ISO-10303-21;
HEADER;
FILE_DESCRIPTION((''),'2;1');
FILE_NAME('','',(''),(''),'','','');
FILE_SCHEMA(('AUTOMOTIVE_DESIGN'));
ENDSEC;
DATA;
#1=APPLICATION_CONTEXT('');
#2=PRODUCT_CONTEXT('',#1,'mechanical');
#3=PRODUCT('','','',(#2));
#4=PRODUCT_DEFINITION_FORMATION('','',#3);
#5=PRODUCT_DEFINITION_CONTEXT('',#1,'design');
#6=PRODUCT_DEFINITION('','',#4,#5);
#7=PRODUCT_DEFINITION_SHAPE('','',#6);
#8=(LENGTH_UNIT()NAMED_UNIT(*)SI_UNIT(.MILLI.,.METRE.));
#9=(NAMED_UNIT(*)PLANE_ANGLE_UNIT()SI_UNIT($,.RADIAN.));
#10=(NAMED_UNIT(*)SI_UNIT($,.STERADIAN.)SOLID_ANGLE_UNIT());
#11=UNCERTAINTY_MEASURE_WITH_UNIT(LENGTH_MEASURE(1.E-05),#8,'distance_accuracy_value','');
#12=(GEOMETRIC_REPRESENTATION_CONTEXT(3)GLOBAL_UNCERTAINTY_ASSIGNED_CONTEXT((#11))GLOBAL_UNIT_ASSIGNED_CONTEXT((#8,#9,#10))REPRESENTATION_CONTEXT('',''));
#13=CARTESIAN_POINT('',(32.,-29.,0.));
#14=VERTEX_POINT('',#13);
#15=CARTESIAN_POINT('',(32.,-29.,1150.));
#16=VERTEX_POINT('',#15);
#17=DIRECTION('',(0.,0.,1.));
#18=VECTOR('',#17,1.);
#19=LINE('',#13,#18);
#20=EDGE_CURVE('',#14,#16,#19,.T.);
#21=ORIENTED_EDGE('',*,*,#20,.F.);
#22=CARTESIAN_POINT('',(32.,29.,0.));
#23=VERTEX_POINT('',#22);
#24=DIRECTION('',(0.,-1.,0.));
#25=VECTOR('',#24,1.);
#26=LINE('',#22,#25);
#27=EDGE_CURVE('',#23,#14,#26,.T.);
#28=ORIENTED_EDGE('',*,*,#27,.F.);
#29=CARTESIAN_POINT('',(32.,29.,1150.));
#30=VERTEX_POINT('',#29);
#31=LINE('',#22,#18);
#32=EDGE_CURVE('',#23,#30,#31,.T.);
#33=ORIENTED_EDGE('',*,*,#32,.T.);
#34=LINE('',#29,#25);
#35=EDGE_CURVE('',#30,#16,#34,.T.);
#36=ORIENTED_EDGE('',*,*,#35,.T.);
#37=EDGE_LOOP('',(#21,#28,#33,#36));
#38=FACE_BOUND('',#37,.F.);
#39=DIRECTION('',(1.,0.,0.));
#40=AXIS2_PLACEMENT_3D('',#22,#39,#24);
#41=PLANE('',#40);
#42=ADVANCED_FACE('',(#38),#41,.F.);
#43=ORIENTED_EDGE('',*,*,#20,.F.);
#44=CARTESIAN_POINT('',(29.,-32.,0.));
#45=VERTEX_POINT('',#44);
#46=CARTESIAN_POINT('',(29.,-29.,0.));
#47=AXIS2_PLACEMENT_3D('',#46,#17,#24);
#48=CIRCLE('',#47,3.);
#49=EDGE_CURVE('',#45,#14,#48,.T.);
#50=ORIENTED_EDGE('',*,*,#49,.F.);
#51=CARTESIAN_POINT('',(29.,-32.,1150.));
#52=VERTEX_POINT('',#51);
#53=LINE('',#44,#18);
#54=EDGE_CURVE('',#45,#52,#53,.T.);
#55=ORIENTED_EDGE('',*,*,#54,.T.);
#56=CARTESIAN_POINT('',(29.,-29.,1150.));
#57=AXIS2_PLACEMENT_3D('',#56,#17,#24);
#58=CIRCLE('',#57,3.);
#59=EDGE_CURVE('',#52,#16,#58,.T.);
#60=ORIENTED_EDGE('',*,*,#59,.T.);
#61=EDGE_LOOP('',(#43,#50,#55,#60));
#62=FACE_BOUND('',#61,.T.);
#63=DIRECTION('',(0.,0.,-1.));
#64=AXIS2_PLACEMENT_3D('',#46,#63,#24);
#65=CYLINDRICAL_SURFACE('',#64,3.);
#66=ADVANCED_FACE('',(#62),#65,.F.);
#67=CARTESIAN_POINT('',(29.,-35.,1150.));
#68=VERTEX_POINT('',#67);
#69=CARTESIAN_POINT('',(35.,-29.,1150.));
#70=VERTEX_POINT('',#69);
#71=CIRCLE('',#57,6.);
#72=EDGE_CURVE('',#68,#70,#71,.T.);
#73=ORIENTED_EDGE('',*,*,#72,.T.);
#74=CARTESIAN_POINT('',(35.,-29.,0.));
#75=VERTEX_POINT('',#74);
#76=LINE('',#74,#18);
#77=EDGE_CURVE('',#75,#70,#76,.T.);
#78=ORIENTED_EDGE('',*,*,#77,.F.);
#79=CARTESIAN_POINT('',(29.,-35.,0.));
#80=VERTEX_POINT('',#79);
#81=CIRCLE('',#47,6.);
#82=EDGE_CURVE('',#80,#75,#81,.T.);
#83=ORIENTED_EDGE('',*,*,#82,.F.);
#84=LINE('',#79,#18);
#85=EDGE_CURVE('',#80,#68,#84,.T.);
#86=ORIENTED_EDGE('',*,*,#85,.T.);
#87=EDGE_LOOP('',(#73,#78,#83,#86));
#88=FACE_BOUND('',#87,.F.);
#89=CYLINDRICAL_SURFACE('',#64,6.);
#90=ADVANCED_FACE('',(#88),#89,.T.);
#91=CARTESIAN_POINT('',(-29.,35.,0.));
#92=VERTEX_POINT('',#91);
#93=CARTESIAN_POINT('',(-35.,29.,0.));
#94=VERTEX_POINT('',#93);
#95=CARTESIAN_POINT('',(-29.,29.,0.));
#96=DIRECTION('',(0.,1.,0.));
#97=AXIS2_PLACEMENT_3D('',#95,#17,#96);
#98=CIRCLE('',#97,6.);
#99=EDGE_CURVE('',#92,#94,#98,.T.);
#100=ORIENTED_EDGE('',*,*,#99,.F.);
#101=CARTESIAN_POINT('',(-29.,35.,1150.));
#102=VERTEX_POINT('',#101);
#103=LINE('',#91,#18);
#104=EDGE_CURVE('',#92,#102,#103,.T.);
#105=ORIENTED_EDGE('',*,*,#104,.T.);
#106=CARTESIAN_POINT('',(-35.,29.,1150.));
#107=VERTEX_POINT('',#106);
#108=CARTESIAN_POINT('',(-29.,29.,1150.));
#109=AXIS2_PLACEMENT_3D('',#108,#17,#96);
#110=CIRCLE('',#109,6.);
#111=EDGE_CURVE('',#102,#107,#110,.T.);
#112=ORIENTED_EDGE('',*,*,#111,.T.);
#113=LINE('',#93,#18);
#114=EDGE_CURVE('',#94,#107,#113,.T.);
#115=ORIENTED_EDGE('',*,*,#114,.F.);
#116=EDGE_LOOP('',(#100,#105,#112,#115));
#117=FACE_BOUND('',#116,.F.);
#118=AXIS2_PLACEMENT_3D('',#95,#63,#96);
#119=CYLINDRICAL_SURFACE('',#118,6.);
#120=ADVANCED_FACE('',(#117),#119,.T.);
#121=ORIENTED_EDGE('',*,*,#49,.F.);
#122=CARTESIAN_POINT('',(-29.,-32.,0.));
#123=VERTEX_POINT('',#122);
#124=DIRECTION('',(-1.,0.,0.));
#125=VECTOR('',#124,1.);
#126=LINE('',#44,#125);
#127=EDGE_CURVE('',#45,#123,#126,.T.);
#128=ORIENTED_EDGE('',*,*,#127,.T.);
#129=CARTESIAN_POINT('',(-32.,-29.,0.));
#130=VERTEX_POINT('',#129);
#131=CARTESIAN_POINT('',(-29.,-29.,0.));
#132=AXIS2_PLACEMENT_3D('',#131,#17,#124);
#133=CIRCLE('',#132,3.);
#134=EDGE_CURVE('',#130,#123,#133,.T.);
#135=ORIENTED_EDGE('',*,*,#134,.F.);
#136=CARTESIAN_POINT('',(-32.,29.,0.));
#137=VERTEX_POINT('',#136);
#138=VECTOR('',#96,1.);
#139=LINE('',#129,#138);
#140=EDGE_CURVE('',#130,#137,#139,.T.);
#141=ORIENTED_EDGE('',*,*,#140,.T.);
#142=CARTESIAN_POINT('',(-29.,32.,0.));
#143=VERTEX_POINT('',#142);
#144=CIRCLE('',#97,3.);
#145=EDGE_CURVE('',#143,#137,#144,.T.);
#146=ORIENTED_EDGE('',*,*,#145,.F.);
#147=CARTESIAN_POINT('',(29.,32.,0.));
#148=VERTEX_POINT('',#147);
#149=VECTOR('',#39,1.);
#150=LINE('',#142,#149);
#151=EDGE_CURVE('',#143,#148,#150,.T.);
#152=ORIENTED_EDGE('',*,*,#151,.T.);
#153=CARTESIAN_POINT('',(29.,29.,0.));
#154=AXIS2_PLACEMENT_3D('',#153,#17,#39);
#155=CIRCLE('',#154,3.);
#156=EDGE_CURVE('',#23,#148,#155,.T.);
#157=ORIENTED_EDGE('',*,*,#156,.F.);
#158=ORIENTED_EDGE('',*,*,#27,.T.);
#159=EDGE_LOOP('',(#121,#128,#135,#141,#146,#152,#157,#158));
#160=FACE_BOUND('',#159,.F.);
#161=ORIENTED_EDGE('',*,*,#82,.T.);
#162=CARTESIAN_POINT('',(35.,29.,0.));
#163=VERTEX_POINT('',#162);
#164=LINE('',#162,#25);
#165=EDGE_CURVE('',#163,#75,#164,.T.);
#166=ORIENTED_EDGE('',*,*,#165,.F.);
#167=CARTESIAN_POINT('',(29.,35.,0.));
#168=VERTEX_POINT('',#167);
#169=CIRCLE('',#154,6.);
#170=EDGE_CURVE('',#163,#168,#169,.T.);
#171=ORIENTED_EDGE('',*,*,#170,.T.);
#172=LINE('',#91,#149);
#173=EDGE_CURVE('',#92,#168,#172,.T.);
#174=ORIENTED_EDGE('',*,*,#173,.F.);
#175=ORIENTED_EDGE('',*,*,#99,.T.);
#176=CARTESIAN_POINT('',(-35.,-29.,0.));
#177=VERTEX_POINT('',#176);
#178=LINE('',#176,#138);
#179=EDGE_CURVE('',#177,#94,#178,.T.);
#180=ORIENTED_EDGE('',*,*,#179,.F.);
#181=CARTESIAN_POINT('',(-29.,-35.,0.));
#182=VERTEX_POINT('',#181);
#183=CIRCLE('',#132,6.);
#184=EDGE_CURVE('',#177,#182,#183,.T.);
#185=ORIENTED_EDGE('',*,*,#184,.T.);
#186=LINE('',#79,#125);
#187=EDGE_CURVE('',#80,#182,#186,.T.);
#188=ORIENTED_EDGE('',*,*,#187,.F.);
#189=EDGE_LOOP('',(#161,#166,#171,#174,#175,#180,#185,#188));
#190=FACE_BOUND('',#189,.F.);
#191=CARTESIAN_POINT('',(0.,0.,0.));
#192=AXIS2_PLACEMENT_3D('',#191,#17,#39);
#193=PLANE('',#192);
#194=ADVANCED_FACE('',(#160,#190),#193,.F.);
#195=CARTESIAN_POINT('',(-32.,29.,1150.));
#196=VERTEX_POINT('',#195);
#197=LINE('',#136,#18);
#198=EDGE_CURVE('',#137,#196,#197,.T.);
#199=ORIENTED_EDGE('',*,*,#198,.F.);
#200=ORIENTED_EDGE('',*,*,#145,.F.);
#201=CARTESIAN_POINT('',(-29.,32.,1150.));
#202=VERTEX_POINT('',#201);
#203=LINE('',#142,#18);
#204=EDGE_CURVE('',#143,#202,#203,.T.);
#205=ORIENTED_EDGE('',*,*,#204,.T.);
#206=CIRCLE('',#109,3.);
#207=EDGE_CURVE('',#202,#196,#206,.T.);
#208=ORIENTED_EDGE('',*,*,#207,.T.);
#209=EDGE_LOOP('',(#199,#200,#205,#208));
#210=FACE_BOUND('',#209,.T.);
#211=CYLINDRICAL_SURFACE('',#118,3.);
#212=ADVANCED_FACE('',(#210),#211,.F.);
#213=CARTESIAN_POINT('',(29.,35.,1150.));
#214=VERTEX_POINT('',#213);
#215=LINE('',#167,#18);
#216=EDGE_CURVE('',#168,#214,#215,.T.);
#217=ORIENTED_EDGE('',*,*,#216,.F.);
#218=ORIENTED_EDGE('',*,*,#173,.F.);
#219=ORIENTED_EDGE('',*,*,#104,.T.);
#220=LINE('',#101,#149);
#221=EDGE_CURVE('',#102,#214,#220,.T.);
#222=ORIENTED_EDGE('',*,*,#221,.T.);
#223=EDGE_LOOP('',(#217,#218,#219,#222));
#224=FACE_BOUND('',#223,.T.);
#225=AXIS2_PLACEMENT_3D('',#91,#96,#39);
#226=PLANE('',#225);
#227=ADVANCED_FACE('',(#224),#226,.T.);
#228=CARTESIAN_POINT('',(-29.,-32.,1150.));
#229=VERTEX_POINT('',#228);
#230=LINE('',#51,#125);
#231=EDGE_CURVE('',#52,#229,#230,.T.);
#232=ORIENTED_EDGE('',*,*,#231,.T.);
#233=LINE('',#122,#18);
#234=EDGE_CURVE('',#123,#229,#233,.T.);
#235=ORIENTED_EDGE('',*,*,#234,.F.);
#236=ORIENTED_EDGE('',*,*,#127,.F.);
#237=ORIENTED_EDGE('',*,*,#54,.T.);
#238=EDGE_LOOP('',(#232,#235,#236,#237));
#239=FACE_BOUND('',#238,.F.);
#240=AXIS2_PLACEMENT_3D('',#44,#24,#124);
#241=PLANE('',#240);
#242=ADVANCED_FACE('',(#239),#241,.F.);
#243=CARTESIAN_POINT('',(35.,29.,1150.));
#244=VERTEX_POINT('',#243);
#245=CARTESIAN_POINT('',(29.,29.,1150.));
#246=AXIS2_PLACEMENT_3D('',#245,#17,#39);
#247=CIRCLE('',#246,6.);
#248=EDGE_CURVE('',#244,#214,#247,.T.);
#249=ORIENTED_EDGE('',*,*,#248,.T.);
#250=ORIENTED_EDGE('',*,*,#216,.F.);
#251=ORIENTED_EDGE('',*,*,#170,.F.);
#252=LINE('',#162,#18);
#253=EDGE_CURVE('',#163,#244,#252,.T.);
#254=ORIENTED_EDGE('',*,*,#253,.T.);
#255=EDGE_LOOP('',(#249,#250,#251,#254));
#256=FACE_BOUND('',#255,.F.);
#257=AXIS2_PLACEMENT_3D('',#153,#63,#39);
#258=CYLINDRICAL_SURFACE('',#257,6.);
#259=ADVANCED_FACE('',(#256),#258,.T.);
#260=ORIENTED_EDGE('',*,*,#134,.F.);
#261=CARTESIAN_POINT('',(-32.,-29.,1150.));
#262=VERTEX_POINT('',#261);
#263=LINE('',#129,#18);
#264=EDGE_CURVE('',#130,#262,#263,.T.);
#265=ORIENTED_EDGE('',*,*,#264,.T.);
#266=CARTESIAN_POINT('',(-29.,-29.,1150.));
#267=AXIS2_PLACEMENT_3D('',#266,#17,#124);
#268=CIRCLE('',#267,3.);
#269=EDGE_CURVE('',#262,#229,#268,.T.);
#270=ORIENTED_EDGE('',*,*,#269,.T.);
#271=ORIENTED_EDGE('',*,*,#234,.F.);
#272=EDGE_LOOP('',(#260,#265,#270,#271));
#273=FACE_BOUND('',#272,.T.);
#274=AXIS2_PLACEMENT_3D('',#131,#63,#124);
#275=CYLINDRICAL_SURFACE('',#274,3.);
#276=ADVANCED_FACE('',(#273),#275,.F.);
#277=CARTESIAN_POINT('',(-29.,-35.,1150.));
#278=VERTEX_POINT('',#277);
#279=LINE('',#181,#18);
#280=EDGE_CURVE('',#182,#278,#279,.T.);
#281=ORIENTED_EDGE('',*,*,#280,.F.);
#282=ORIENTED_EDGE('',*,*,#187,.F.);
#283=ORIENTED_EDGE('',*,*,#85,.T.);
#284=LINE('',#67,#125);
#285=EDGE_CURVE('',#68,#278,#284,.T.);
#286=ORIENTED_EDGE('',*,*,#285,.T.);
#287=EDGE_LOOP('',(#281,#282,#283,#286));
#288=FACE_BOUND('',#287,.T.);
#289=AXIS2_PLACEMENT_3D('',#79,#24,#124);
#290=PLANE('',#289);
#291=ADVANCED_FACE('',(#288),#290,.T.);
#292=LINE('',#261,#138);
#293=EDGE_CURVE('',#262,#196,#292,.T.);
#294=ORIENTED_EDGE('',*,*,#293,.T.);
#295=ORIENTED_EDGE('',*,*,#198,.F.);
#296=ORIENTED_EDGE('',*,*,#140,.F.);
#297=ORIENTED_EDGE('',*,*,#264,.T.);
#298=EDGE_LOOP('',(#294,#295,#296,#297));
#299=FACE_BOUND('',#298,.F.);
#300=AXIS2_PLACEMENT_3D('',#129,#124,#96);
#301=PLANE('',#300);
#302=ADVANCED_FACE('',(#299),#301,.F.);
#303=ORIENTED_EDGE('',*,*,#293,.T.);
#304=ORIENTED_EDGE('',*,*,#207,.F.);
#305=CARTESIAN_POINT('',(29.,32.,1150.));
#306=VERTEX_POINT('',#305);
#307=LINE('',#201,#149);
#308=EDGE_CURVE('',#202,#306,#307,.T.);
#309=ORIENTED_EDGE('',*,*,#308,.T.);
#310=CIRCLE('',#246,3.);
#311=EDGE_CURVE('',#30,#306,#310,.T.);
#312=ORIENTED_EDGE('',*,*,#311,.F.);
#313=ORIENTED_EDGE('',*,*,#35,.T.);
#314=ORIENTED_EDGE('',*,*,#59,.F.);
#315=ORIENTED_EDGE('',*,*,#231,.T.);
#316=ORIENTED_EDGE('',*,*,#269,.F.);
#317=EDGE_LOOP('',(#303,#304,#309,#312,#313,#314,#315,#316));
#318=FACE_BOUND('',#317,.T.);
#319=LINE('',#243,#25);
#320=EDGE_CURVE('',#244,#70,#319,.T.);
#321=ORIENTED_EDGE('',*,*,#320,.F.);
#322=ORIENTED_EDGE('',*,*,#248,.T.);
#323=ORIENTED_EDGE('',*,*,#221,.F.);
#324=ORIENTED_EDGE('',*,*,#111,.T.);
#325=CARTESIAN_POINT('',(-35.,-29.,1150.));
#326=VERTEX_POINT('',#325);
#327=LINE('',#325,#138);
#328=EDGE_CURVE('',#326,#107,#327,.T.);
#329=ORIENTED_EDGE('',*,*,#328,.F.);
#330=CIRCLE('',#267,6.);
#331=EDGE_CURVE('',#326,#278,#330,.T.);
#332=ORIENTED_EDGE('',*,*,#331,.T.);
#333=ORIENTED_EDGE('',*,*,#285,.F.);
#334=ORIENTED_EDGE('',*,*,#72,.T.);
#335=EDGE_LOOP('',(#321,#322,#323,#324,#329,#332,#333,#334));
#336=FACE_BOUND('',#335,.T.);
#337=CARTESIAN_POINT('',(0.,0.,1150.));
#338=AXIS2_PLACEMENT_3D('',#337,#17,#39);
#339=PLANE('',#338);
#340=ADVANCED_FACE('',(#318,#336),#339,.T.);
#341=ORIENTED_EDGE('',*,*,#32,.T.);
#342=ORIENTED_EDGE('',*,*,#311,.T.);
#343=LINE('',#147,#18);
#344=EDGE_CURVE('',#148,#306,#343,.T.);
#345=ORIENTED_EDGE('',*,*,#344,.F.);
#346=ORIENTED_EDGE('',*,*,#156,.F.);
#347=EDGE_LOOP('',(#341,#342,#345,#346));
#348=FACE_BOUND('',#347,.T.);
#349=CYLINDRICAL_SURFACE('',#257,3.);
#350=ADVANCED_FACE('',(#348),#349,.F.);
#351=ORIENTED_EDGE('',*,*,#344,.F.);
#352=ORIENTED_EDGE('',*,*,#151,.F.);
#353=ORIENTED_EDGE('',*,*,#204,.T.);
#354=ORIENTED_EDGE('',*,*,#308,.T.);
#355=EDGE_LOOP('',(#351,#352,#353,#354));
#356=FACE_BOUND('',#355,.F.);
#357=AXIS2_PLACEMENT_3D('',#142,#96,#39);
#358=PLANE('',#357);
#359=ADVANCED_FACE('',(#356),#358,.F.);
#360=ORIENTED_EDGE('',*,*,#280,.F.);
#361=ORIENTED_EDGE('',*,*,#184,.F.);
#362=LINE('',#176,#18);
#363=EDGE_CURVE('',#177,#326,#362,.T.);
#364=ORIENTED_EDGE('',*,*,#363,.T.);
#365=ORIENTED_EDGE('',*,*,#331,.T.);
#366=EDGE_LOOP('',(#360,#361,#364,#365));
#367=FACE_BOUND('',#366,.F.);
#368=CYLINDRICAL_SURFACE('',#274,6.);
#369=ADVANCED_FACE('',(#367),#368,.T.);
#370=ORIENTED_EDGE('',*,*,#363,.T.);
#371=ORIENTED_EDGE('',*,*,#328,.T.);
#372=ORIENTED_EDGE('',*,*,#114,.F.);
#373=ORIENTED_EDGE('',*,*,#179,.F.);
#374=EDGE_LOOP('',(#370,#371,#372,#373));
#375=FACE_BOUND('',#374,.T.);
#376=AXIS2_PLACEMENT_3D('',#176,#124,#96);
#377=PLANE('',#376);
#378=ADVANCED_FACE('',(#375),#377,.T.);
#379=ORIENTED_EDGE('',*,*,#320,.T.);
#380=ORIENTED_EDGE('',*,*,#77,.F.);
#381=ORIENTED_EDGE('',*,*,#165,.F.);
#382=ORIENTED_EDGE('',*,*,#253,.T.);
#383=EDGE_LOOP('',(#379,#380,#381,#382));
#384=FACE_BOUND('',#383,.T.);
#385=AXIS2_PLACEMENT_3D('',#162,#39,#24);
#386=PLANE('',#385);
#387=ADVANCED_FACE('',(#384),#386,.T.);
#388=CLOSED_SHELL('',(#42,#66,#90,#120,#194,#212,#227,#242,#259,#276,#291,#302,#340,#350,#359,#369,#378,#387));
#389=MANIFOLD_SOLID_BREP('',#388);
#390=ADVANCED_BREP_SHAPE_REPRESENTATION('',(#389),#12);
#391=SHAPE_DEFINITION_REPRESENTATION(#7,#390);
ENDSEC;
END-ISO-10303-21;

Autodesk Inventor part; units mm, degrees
ref_plane "YZ Plane" through (0, 0, 0) normal (1, 0, 0) x (0, 1, 0)
ref_plane "Start plane" through (0, 0, 0) normal (0, 0, 1) x (1, 0, 0)
ref_plane "End plane" through (0, 0, 1150) normal (0, 0, 1) x (1, 0, 0)
sketch "Sketch" plane through (0, 0, 0) normal (0, 0, 1) x (1, 0, 0)
  line L0 (-35, -29) -> (-35, 29)
  line L1 (-29, 35) -> (29, 35)
  line L2 (35, 29) -> (35, -29)
  line L3 (29, -35) -> (-29, -35)
  arc A0 (-35, -29) -> (-29, -35) centre (-29, -29) ccw
  arc A1 (35, 29) -> (29, 35) centre (29, 29) ccw
  arc A2 (-29, 35) -> (-35, 29) centre (-29, 29) ccw
  arc A3 (29, -35) -> (35, -29) centre (29, -29) ccw
  arc A4 (-29, 32) -> (-32, 29) centre (-29, 29) ccw
  line L4 (-29, 32) -> (29, 32)
  arc A5 (32, 29) -> (29, 32) centre (29, 29) ccw
  line L5 (32, 29) -> (32, -29)
  arc A6 (29, -32) -> (32, -29) centre (29, -29) ccw
  line L6 (29, -32) -> (-29, -32)
  arc A7 (-32, -29) -> (-29, -32) centre (-29, -29) ccw
  line L7 (-32, -29) -> (-32, 29)
  line L8 (0, 36.7397) -> (0, -36.7397) construction
  line L9 (-36.7397, 0) -> (36.7397, 0) construction
  dimension "d7" = 6
  dimension "d9" = 70
  dimension "d11" = 70
  dimension "d12" = 3
  dimension "d15" = 35
  dimension "d16" = 35
extrude "Body" add sketch "Sketch" along normal up to surface (1150 mm away) from surface at 0
sketch "Sketch3" plane through (0, 0, 0) normal (0, 0, 1) x (1, 0, 0)
  line L0 (0, 0) -> (10, 0)
ref_plane "Work Plane3" through (0, 0, 0) normal (0, -1, 0) x (1, 0, 0)
sketch "Sketch4" plane through (0, 0, 0) normal (0, -1, 0) x (1, 0, 0)
  line L0 (-2, 0) -> (12, 0)
  line L1 (-2, 1150) -> (12, 1150)
  dimension "d18" = 1150
equation "\"d7\" = G_IR"
equation "\"d9\" = G_W"
equation "\"d11\" = G_H"
equation "\"d12\" = G_T"
equation "\"d15\" = 0.5 * d9"
equation "\"d16\" = 0.5 * d11"
equation "\"d3\" = G_L"
equation "\"G_W\" = 70"
equation "\"G_H\" = 70"
equation "\"G_T\" = 3"
equation "\"G_IR\" = 6"
equation "\"G_L\" = d18"
equation "\"G_OFFSET_START\" = 0"
equation "\"G_OFFSET_END\" = 0"
properties part number "ISO 10799-2 - 70x70x3 - 1150" material "Steel, Mild"
